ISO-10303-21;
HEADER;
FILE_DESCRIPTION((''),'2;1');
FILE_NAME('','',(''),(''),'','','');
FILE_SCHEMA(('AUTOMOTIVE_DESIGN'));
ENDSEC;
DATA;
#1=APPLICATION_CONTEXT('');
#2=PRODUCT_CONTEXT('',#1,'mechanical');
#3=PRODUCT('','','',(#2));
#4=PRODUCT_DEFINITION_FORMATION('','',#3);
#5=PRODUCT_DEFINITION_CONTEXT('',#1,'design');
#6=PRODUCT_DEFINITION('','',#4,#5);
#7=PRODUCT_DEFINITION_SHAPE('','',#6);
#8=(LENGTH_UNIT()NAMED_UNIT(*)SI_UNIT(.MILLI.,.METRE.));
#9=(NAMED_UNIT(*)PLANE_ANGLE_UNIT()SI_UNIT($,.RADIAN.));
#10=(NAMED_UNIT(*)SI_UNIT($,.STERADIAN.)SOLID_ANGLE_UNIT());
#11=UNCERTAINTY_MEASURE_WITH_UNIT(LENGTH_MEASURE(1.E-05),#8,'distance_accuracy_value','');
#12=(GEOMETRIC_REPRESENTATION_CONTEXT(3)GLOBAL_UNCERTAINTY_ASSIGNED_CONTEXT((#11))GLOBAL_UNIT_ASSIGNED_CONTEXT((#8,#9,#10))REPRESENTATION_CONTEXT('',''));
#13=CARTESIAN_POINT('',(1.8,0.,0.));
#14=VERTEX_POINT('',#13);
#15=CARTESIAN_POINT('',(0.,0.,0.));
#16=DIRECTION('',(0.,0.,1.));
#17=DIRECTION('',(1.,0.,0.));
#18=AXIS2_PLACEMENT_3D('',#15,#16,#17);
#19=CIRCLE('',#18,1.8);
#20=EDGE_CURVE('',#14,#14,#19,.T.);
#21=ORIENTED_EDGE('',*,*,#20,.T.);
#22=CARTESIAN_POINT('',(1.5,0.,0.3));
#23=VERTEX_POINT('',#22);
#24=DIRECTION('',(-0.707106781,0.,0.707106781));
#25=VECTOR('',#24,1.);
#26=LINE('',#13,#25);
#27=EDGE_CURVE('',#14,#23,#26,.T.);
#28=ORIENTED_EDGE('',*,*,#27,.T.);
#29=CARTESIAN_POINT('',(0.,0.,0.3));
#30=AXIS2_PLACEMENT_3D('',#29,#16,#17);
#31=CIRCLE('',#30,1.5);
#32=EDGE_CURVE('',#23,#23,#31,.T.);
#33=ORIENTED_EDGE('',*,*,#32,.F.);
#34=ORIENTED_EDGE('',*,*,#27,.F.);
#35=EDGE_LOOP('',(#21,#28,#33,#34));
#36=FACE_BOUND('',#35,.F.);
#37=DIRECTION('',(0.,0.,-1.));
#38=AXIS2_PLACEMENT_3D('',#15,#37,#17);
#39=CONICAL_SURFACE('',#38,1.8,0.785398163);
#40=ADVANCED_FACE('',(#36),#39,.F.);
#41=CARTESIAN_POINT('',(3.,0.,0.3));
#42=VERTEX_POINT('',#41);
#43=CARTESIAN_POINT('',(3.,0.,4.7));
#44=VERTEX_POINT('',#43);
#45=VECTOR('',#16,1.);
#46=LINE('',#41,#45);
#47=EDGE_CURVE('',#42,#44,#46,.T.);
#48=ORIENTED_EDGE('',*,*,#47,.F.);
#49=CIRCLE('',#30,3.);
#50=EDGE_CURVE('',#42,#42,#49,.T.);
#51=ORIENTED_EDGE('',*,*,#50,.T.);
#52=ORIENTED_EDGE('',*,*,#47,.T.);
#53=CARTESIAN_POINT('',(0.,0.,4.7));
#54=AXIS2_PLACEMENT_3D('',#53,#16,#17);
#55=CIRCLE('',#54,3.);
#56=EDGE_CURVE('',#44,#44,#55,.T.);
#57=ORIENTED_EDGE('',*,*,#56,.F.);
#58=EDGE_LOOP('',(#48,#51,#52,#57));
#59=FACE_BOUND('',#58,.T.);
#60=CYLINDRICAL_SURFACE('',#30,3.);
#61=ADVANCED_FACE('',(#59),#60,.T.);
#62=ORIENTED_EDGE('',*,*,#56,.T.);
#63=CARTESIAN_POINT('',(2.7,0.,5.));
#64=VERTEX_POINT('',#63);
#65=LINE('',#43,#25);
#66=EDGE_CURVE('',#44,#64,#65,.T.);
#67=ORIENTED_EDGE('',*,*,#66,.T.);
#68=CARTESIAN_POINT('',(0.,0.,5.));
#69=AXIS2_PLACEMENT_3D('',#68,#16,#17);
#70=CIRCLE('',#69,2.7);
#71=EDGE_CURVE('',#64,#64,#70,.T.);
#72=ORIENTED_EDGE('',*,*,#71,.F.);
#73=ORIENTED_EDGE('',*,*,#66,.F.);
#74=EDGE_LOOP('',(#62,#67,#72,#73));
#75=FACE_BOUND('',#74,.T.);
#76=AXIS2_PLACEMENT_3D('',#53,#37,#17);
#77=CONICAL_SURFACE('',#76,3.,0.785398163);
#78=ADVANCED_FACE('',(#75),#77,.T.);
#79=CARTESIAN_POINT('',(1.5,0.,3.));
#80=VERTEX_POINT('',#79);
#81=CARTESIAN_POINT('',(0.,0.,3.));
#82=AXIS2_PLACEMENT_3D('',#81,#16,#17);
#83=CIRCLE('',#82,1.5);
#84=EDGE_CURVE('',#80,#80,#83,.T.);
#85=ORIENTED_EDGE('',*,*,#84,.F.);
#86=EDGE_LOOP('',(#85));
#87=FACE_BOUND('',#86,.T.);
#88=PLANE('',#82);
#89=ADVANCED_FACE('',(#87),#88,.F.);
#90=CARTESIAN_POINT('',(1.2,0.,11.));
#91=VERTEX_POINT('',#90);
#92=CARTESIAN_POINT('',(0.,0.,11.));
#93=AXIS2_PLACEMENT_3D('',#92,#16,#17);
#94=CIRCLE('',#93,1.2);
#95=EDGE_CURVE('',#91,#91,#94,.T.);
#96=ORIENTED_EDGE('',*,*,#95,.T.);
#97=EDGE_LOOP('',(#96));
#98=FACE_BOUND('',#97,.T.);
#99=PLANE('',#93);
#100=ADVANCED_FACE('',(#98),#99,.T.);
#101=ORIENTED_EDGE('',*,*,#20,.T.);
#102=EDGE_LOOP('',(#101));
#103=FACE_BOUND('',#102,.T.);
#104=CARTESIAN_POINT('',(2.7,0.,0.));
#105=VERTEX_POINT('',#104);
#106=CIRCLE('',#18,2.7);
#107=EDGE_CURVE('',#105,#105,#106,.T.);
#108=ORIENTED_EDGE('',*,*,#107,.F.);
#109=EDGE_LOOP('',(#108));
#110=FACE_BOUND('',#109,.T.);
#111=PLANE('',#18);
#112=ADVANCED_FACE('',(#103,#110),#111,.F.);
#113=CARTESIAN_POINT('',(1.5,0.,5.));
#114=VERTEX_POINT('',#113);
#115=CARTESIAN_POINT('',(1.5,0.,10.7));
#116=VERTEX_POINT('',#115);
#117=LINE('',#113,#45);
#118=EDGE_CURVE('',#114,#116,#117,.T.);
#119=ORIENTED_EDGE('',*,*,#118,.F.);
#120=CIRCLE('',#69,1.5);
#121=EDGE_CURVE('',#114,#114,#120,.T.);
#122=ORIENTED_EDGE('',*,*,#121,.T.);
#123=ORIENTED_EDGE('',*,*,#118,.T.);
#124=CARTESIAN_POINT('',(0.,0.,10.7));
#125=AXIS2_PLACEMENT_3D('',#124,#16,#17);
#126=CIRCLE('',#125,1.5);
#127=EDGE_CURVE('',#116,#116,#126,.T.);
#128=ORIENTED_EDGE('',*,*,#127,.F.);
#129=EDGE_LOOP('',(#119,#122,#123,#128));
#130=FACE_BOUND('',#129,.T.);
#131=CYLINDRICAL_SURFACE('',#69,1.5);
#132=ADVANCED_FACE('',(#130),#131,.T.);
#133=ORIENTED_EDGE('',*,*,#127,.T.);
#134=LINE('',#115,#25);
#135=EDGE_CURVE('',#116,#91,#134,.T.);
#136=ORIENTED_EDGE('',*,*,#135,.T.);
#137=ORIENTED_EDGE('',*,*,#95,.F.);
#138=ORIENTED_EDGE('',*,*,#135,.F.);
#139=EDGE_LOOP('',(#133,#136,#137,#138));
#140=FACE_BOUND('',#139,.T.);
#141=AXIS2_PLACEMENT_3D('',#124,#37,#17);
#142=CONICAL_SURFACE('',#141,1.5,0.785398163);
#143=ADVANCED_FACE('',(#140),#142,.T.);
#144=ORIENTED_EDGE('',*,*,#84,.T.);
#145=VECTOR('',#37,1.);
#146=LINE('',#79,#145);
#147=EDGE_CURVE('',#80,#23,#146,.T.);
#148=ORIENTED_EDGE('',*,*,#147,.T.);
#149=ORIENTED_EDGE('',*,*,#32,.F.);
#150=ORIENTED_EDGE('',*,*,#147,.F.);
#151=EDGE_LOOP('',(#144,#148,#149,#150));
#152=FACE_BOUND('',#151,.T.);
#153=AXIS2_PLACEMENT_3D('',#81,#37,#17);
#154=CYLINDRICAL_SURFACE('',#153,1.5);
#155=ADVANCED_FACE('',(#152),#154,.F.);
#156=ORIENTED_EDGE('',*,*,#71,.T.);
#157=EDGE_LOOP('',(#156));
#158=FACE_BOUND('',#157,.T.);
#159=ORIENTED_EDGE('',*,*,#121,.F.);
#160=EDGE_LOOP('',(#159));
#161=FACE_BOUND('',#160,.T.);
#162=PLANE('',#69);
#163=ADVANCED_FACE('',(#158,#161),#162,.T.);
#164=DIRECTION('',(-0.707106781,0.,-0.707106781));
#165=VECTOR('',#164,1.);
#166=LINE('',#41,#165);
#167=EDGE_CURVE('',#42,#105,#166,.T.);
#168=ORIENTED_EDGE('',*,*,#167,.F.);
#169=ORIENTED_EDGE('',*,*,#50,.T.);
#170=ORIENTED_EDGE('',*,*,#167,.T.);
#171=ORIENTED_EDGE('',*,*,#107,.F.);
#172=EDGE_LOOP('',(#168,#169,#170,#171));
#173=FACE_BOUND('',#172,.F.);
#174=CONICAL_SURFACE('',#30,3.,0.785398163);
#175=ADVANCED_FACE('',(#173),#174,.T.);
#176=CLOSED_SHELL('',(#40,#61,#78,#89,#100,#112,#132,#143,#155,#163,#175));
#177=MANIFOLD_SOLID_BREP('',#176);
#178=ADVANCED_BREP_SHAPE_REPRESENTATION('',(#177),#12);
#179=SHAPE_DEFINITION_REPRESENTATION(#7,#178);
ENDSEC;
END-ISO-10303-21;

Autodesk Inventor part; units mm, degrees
ref_plane "YZ Plane" through (0, 0, 0) normal (1, 0, 0) x (0, 1, 0)
ref_plane "XZ Plane" through (0, 0, 0) normal (0, 1, 0) x (-1, 0, 0)
ref_plane "XY Plane" through (0, 0, 0) normal (0, 0, 1) x (1, 0, 0)
sketch "スケッチ1" plane through (0, 0, 0) normal (0, 1, 0) x (-1, 0, 0)
  line L0 (-1.8, 0) -> (-2.7, 0)
  line L1 (-3, 0.3) -> (-3, 4.7)
  line L2 (-2.7, 5) -> (-1.5, 5)
  line L3 (-1.5, 5) -> (-1.5, 10.7)
  line L4 (-1.2, 11) -> (0, 11)
  line L5 (0, 11) -> (0, 3)
  line L6 (0, 3) -> (-1.5, 3)
  line L7 (-1.5, 3) -> (-1.5, 0.3)
  line L8 (-1.5, 10.7) -> (-1.2, 11)
  line L9 (-3, 4.7) -> (-2.7, 5)
  line L10 (-3, 0.3) -> (-2.7, 0)
  line L11 (-1.8, 0) -> (-1.5, 0.3)
  line L12 (0, -2.2) -> (0, 13.2) projected
  point P0 (0, 0)
  point P1 (-3, 0)
  point P2 (-3, 5)
  point P3 (-1.5, 11)
  point P4 (-1.5, 0)
  point P5 (-1.5, 6)
  dimension "d0" = 3
  dimension "d1" = 6
  dimension "d2" = 5
  dimension "d3" = 6
  dimension "d4" = 3
  dimension "d5" = 3
  dimension "d6" = 0.3
  dimension "d7" = 0.3
  dimension "d8" = 0.3
  dimension "d9" = 0.3
  dimension "d10" = 0.3
  dimension "d11" = 0.3
  dimension "d12" = 0.3
  dimension "d13" = 0.3
revolve "回転1" add sketch "スケッチ1" angle 360 about axis through (0, 0, -10) along (0, 0, 1)
thread "ねじ1" size "M3x0.5" class "6g" standard "ANSI Metric M Profile" full length
thread "ねじ2" size "M3x0.5" class "6H" standard "ANSI Metric M Profile" full length
equation "\"d7\" = d6"
equation "\"d8\" = d6"
equation "\"d9\" = d8"
equation "\"d10\" = d6"
equation "\"d11\" = d10"
equation "\"d12\" = d6"
equation "\"d13\" = d12"
properties part number "BRU-305" material "ステンレス鋼 AISI 304"
